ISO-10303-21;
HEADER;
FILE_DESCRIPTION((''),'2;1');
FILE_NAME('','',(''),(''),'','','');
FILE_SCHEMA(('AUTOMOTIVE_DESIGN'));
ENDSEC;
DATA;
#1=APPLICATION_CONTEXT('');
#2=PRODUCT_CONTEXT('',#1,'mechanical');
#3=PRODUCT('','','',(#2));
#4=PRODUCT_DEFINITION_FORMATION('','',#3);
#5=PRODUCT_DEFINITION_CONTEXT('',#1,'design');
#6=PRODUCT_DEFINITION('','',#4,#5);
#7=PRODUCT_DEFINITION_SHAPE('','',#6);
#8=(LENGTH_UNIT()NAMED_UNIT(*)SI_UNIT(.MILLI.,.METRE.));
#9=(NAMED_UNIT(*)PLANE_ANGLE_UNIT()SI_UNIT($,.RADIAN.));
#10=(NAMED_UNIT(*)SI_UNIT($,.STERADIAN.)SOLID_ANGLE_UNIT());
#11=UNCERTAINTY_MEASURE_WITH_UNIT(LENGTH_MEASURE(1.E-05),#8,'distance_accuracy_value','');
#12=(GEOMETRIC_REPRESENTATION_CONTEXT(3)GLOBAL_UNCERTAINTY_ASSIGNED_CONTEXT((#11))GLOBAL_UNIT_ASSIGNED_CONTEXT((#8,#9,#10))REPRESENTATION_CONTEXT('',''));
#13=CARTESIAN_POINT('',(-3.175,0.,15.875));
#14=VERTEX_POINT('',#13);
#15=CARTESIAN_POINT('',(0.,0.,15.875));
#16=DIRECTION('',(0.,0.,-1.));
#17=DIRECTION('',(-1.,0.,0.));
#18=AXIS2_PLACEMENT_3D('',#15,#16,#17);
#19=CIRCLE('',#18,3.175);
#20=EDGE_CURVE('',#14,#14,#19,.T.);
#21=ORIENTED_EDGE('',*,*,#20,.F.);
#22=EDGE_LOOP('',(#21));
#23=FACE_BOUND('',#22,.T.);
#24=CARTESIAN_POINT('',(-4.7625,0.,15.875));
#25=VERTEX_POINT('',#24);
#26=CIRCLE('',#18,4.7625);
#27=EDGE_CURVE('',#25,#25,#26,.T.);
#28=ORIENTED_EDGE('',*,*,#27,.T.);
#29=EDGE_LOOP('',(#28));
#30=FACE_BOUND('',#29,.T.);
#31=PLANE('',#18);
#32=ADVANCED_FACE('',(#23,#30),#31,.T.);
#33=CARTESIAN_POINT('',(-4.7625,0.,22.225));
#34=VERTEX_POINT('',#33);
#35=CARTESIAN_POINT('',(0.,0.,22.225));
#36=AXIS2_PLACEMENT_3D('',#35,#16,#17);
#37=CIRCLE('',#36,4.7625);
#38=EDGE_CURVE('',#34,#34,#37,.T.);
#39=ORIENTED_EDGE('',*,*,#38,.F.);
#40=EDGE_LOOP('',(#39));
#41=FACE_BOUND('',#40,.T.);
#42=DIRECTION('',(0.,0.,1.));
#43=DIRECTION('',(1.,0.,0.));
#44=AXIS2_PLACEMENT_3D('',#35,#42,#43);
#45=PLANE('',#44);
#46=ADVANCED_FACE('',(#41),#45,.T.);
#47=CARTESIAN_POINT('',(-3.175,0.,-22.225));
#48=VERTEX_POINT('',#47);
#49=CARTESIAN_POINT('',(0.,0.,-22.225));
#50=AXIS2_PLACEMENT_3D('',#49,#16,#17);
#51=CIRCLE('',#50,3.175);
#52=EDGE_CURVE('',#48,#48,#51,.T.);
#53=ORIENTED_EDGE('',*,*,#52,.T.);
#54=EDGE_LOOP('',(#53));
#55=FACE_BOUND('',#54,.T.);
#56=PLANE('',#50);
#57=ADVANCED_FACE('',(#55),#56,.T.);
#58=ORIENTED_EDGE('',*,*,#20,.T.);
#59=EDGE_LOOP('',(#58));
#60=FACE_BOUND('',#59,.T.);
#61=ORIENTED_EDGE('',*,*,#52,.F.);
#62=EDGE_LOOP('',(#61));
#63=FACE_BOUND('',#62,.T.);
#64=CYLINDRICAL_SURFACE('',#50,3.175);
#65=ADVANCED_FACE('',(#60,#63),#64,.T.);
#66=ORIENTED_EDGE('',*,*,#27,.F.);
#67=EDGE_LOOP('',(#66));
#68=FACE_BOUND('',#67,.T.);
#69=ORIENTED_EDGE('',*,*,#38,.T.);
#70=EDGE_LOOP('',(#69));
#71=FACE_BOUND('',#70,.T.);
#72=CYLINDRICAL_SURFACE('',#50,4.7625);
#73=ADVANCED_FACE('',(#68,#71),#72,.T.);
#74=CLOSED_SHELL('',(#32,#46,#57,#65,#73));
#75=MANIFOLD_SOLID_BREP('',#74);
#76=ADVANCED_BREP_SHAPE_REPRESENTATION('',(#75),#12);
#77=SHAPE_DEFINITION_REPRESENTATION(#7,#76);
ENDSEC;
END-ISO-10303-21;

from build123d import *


with BuildPart() as part:
    # Sketch2 → Revolve1 (revolve)
    with BuildSketch(Plane(origin=(0, 0, 0), x_dir=(0, 0, -1), z_dir=(1, 0, 0)), mode=Mode.PRIVATE) as revolve1_sk:
        Polygon((-22.225, 2.38125), (-22.225, 0), (-17.675184671, 0), (-19.05, 2.38125), align=None)
        with BuildLine():
            ThreePointArc((-21.9075, 4.7625), (-22.132006403, 4.669506403), (-22.225, 4.445))
            Line((-22.225, 4.445), (-22.225, 4.7625))
            Line((-22.225, 4.7625), (-21.9075, 4.7625))
        make_face()
        with BuildLine():
            Line((-22.225, 2.38125), (-19.05, 2.38125))
            Line((-19.05, 2.38125), (-19.05, 4.7625))
            Line((-19.05, 4.7625), (-21.9075, 4.7625))
            ThreePointArc((-21.9075, 4.7625), (-22.132006403, 4.669506403), (-22.225, 4.445))
            Line((-22.225, 4.445), (-22.225, 2.38125))
        make_face()
        with BuildLine():
            Line((-17.675184671, 0), (22.225, 0))
            Line((22.225, 0), (22.225, 2.2225))
            Line((22.225, 2.2225), (21.2725, 3.175))
            Line((21.2725, 3.175), (-15.875, 3.175))
            Line((-15.875, 3.175), (-15.875, 4.445))
            ThreePointArc((-15.875, 4.445), (-15.967993597, 4.669506403), (-16.1925, 4.7625))
            Line((-16.1925, 4.7625), (-19.05, 4.7625))
            Line((-19.05, 4.7625), (-19.05, 2.38125))
            Line((-19.05, 2.38125), (-17.675184671, 0))
        make_face()
        with BuildLine():
            ThreePointArc((-15.875, 4.445), (-15.967993597, 4.669506403), (-16.1925, 4.7625))
            Line((-16.1925, 4.7625), (-15.875, 4.7625))
            Line((-15.875, 4.7625), (-15.875, 4.445))
        make_face()
        Polygon((22.225, 3.175), (22.225, 2.2225), (21.2725, 3.175), align=None)
    revolve(revolve1_sk.sketch.rotate(Axis((0, 0, -22.225), (0, 0, 1)), 90), axis=Axis((0, 0, -22.225), (0, 0, 1)))


solid = part.part
